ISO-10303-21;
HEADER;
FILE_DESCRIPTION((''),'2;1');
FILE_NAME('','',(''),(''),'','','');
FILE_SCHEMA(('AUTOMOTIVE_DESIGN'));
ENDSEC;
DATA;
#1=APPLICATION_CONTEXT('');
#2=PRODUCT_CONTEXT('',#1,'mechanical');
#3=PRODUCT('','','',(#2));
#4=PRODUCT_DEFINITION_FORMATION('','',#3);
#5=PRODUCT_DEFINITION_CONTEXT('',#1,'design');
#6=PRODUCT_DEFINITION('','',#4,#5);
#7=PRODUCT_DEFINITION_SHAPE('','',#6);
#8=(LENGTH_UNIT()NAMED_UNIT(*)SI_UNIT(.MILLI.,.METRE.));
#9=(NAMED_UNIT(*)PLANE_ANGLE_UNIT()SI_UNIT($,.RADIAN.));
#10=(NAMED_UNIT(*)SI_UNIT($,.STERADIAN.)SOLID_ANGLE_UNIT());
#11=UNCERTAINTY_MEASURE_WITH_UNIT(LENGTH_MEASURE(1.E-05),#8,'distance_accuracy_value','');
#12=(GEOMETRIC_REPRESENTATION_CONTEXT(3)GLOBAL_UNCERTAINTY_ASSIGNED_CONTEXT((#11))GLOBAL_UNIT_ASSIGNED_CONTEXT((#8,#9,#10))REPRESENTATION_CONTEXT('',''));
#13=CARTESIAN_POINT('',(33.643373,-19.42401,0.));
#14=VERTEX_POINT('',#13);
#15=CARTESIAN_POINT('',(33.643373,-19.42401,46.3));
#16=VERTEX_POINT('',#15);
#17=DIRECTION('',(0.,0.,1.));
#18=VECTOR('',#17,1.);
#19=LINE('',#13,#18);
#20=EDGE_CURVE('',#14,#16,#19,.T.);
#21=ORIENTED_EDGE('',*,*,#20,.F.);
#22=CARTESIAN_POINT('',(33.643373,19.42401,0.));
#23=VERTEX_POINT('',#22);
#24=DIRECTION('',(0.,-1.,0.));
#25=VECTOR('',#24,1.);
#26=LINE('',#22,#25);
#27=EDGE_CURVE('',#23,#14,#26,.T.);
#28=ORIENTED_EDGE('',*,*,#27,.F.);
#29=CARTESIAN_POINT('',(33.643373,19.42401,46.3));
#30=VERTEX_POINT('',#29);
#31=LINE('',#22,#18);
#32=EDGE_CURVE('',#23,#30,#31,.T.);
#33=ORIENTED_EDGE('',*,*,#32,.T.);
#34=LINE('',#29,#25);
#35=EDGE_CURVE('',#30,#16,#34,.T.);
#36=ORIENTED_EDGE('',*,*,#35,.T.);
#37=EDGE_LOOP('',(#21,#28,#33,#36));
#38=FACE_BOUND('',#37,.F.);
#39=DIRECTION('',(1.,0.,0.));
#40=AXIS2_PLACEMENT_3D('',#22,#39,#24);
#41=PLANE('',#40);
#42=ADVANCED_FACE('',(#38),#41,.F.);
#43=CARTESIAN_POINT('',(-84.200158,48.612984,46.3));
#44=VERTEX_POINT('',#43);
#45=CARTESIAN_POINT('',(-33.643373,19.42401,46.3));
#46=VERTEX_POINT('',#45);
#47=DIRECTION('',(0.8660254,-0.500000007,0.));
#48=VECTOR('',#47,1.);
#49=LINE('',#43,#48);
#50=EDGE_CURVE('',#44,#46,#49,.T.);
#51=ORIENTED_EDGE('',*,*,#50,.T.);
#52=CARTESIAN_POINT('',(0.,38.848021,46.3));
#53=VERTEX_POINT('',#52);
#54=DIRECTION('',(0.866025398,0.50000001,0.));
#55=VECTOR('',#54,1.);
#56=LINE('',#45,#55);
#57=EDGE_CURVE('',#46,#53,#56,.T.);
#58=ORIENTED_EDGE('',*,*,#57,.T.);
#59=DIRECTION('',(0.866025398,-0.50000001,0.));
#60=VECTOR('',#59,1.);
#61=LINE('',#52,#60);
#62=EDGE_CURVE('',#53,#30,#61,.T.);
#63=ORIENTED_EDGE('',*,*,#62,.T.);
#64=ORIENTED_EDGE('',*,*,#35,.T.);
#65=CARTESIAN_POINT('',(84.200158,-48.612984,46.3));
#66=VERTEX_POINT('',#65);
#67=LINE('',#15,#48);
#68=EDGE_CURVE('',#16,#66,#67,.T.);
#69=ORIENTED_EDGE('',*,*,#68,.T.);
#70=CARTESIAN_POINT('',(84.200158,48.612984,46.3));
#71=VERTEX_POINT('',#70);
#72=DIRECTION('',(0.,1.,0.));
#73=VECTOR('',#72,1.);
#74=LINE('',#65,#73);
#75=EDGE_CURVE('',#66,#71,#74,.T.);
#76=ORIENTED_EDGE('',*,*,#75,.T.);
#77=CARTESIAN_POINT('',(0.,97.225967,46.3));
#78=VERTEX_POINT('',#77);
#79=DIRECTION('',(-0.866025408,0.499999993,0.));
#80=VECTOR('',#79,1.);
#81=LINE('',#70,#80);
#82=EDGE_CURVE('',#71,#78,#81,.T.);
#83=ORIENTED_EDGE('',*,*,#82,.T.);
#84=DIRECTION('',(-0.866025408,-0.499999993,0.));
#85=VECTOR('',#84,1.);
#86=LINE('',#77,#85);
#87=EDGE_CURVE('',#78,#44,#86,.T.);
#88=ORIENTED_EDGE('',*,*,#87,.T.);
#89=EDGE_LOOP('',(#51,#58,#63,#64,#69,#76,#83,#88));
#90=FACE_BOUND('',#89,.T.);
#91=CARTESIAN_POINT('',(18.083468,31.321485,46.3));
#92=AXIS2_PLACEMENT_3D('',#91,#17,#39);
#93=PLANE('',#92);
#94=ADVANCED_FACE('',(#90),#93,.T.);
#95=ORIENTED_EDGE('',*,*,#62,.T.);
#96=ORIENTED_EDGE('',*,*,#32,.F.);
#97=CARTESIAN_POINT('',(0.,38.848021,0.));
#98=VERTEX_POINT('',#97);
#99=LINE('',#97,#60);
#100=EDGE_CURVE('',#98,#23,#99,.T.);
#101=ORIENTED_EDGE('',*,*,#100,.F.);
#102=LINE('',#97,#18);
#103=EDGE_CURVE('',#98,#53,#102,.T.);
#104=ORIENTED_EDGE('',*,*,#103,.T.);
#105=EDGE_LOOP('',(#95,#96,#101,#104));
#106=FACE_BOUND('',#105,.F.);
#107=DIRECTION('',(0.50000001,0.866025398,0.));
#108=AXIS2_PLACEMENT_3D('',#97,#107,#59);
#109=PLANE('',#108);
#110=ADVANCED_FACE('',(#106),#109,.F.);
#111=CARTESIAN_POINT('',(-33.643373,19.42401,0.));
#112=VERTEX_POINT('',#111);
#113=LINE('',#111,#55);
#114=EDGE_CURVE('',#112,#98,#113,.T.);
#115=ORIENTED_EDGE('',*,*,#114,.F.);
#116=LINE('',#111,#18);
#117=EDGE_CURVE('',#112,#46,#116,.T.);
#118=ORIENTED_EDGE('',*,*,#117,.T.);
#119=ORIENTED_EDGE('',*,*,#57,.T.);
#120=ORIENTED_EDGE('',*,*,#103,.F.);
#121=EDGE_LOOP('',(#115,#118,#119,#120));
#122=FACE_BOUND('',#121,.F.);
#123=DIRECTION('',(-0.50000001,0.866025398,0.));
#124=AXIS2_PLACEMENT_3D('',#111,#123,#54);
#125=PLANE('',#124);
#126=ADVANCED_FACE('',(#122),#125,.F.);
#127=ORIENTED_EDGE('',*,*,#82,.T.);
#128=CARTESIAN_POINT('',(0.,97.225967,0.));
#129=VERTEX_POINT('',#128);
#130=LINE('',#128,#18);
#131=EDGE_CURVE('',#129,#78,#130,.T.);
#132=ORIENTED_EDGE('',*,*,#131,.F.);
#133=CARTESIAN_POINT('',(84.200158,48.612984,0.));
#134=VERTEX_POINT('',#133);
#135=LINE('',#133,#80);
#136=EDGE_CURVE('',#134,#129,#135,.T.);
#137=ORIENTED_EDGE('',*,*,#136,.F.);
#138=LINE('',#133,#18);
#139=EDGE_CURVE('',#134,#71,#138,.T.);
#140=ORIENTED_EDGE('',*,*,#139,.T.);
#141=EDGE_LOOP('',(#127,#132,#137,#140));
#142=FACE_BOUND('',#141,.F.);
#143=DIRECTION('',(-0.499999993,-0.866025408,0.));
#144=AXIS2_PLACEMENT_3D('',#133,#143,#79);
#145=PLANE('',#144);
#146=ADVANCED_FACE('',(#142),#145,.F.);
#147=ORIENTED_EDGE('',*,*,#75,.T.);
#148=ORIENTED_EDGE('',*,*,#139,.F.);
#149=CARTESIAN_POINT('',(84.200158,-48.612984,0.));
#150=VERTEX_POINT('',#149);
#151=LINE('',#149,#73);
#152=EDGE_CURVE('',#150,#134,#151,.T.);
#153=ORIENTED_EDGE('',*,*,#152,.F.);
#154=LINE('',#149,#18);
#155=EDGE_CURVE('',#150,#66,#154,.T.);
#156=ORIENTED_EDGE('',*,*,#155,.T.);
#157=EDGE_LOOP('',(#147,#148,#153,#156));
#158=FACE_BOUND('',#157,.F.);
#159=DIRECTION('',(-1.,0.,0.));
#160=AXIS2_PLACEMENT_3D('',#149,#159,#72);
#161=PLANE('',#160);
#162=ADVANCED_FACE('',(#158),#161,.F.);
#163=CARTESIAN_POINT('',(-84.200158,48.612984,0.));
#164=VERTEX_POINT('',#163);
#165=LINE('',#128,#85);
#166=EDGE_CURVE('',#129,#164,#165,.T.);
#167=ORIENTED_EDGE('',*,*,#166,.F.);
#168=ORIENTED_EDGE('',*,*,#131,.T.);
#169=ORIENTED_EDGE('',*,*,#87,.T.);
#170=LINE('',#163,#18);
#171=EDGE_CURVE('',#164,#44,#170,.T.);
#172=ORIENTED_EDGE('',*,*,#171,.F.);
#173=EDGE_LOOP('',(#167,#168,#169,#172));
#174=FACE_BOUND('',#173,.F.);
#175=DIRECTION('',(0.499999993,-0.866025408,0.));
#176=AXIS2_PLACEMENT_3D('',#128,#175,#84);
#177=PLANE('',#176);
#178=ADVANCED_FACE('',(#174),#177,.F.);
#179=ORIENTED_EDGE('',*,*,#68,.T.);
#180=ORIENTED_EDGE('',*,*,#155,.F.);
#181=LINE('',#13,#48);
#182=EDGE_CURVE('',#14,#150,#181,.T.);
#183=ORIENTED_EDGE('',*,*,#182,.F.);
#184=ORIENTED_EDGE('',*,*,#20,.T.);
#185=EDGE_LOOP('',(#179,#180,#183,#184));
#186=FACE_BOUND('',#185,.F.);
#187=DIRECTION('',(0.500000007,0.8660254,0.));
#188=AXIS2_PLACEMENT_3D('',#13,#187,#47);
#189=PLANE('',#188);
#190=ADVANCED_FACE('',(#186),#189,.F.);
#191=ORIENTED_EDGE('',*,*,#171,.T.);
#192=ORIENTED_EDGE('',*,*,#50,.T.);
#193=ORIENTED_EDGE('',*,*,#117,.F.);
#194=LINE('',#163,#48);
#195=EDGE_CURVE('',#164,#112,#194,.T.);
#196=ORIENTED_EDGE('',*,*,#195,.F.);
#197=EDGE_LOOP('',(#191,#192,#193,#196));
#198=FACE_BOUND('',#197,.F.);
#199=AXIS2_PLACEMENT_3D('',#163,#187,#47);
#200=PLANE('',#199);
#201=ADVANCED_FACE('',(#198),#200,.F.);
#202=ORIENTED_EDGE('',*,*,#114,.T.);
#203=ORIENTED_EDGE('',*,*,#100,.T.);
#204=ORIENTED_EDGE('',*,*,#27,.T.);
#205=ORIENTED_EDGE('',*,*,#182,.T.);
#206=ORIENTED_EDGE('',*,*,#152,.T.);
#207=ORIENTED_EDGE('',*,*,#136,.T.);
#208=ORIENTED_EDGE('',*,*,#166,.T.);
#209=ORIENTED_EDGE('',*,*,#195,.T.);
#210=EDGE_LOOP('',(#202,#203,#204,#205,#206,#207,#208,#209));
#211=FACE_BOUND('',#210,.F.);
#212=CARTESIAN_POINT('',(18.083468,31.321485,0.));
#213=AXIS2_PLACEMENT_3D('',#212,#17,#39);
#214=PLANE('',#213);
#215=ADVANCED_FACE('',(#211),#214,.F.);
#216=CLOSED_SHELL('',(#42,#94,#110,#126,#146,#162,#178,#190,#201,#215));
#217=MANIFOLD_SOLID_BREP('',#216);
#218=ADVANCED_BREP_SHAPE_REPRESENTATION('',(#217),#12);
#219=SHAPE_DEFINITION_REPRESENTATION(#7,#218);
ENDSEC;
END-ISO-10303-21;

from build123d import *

# Parameters (mm, degrees)
PAD_DEPTH = 46.3


with BuildPart() as part:
    # Sketch → Pad (new body)
    with BuildSketch(Plane.XY):
        Polygon((84.200158, -48.612984), (84.200158, 48.612984), (0, 97.225967), (-84.200158, 48.612984), (-33.643373, 19.42401), (0, 38.848021), (33.643373, 19.42401), (33.643373, -19.42401), align=None)
    extrude(amount=PAD_DEPTH)


solid = part.part
